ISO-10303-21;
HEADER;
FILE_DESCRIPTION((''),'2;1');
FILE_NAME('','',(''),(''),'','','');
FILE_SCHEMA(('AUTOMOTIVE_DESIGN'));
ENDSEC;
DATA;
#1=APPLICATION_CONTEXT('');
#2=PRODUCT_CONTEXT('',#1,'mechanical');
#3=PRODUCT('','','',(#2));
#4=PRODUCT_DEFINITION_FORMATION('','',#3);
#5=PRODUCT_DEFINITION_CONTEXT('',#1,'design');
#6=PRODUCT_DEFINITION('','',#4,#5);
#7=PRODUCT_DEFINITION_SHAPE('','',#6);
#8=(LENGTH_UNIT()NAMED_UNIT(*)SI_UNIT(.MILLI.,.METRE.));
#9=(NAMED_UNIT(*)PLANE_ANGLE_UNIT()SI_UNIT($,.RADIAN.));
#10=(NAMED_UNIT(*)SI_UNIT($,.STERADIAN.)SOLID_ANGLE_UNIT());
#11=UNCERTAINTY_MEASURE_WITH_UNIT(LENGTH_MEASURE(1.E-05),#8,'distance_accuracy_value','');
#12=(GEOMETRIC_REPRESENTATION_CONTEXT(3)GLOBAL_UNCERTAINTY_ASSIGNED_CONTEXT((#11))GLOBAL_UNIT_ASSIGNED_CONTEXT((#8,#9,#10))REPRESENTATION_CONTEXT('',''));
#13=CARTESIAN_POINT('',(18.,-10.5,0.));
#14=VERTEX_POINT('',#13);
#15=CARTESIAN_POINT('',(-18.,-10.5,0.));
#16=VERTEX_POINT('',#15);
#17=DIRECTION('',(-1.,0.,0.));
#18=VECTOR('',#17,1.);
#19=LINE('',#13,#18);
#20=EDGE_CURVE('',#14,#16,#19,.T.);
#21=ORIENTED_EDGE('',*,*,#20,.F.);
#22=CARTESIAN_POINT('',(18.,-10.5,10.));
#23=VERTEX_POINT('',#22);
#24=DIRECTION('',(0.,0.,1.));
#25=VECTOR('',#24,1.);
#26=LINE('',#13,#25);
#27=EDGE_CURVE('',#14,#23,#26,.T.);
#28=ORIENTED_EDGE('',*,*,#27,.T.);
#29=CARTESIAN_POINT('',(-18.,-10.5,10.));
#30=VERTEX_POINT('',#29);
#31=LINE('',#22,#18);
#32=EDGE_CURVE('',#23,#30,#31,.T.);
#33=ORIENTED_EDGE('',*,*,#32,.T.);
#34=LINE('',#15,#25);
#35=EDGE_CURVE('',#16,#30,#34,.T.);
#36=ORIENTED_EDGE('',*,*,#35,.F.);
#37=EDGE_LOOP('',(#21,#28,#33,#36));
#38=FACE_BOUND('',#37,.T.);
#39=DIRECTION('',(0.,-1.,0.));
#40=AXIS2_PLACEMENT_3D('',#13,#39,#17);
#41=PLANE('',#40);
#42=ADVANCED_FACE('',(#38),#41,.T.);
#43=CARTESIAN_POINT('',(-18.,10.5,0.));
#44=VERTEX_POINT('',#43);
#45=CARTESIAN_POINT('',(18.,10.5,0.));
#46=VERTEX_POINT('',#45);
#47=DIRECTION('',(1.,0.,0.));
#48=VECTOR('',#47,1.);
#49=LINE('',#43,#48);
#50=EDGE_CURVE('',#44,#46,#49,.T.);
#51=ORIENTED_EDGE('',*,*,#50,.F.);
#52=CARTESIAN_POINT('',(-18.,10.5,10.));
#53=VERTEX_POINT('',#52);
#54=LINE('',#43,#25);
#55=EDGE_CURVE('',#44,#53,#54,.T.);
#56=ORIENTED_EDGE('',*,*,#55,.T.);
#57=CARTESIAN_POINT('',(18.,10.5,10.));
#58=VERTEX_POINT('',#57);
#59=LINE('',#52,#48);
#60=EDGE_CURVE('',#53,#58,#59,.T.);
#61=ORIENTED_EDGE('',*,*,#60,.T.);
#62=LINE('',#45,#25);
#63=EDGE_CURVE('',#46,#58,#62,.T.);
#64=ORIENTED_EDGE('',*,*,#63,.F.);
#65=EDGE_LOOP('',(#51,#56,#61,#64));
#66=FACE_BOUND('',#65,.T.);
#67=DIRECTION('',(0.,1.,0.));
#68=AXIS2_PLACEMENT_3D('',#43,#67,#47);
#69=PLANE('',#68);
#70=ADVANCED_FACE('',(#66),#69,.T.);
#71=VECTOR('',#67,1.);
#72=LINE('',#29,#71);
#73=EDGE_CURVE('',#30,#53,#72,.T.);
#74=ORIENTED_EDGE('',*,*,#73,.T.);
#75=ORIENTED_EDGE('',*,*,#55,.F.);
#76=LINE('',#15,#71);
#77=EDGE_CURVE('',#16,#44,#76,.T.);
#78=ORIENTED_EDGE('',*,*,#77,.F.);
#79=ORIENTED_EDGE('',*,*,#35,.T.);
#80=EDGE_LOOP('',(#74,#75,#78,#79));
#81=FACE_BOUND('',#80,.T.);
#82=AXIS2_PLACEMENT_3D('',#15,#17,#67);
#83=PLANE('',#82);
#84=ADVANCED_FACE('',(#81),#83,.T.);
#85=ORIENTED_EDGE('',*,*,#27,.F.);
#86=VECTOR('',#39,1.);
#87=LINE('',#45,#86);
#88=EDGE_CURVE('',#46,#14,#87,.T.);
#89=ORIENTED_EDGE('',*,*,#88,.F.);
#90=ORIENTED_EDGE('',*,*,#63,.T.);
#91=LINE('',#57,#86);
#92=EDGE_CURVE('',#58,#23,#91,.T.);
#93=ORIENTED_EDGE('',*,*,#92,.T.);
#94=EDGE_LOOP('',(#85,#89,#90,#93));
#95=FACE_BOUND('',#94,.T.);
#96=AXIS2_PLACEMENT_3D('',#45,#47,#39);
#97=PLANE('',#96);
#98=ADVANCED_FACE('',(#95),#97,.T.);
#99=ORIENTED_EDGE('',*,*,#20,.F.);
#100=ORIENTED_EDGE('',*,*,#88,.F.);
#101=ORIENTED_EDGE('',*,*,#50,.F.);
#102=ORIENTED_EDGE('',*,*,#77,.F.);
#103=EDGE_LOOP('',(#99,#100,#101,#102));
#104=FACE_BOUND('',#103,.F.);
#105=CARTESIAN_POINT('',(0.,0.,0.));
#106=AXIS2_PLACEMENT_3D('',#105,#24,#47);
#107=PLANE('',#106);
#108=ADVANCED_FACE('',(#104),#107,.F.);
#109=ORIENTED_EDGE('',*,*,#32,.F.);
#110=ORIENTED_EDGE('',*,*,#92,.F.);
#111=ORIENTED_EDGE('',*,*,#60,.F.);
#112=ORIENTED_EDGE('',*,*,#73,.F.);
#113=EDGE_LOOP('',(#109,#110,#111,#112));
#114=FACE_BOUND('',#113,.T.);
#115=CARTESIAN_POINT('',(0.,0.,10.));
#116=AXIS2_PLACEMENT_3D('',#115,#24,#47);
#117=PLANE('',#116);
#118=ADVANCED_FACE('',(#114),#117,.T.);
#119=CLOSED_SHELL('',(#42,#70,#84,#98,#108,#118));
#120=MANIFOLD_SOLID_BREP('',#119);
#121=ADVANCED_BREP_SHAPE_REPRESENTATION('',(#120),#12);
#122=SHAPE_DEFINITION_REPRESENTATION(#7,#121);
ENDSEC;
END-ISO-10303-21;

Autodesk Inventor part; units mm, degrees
ref_plane "YZ Plane" through (0, 0, 0) normal (1, 0, 0) x (0, 1, 0)
ref_plane "XZ Plane" through (0, 0, 0) normal (0, 1, 0) x (-1, 0, 0)
ref_plane "XY Plane" through (0, 0, 0) normal (0, 0, 1) x (1, 0, 0)
sketch "スケッチ1" plane through (0, 0, 0) normal (0, 0, 1) x (1, 0, 0)
  line L0 (-18, 10.5) -> (18, 10.5)
  line L1 (18, 10.5) -> (18, -10.5)
  line L2 (18, -10.5) -> (-18, -10.5)
  line L3 (-18, -10.5) -> (-18, 10.5)
  line L4 (-18, -10.5) -> (18, 10.5) construction
  line L5 (-18, 10.5) -> (18, -10.5) construction
  point P0 (0, 0)
  point P1 (0, 0)
  dimension "d0" = 21
  dimension "d1" = 36
extrude "押し出し1" add sketch "スケッチ1" along normal blind 10
properties part number "Kypom_K6_7.4V_200mAh_30C60C"
